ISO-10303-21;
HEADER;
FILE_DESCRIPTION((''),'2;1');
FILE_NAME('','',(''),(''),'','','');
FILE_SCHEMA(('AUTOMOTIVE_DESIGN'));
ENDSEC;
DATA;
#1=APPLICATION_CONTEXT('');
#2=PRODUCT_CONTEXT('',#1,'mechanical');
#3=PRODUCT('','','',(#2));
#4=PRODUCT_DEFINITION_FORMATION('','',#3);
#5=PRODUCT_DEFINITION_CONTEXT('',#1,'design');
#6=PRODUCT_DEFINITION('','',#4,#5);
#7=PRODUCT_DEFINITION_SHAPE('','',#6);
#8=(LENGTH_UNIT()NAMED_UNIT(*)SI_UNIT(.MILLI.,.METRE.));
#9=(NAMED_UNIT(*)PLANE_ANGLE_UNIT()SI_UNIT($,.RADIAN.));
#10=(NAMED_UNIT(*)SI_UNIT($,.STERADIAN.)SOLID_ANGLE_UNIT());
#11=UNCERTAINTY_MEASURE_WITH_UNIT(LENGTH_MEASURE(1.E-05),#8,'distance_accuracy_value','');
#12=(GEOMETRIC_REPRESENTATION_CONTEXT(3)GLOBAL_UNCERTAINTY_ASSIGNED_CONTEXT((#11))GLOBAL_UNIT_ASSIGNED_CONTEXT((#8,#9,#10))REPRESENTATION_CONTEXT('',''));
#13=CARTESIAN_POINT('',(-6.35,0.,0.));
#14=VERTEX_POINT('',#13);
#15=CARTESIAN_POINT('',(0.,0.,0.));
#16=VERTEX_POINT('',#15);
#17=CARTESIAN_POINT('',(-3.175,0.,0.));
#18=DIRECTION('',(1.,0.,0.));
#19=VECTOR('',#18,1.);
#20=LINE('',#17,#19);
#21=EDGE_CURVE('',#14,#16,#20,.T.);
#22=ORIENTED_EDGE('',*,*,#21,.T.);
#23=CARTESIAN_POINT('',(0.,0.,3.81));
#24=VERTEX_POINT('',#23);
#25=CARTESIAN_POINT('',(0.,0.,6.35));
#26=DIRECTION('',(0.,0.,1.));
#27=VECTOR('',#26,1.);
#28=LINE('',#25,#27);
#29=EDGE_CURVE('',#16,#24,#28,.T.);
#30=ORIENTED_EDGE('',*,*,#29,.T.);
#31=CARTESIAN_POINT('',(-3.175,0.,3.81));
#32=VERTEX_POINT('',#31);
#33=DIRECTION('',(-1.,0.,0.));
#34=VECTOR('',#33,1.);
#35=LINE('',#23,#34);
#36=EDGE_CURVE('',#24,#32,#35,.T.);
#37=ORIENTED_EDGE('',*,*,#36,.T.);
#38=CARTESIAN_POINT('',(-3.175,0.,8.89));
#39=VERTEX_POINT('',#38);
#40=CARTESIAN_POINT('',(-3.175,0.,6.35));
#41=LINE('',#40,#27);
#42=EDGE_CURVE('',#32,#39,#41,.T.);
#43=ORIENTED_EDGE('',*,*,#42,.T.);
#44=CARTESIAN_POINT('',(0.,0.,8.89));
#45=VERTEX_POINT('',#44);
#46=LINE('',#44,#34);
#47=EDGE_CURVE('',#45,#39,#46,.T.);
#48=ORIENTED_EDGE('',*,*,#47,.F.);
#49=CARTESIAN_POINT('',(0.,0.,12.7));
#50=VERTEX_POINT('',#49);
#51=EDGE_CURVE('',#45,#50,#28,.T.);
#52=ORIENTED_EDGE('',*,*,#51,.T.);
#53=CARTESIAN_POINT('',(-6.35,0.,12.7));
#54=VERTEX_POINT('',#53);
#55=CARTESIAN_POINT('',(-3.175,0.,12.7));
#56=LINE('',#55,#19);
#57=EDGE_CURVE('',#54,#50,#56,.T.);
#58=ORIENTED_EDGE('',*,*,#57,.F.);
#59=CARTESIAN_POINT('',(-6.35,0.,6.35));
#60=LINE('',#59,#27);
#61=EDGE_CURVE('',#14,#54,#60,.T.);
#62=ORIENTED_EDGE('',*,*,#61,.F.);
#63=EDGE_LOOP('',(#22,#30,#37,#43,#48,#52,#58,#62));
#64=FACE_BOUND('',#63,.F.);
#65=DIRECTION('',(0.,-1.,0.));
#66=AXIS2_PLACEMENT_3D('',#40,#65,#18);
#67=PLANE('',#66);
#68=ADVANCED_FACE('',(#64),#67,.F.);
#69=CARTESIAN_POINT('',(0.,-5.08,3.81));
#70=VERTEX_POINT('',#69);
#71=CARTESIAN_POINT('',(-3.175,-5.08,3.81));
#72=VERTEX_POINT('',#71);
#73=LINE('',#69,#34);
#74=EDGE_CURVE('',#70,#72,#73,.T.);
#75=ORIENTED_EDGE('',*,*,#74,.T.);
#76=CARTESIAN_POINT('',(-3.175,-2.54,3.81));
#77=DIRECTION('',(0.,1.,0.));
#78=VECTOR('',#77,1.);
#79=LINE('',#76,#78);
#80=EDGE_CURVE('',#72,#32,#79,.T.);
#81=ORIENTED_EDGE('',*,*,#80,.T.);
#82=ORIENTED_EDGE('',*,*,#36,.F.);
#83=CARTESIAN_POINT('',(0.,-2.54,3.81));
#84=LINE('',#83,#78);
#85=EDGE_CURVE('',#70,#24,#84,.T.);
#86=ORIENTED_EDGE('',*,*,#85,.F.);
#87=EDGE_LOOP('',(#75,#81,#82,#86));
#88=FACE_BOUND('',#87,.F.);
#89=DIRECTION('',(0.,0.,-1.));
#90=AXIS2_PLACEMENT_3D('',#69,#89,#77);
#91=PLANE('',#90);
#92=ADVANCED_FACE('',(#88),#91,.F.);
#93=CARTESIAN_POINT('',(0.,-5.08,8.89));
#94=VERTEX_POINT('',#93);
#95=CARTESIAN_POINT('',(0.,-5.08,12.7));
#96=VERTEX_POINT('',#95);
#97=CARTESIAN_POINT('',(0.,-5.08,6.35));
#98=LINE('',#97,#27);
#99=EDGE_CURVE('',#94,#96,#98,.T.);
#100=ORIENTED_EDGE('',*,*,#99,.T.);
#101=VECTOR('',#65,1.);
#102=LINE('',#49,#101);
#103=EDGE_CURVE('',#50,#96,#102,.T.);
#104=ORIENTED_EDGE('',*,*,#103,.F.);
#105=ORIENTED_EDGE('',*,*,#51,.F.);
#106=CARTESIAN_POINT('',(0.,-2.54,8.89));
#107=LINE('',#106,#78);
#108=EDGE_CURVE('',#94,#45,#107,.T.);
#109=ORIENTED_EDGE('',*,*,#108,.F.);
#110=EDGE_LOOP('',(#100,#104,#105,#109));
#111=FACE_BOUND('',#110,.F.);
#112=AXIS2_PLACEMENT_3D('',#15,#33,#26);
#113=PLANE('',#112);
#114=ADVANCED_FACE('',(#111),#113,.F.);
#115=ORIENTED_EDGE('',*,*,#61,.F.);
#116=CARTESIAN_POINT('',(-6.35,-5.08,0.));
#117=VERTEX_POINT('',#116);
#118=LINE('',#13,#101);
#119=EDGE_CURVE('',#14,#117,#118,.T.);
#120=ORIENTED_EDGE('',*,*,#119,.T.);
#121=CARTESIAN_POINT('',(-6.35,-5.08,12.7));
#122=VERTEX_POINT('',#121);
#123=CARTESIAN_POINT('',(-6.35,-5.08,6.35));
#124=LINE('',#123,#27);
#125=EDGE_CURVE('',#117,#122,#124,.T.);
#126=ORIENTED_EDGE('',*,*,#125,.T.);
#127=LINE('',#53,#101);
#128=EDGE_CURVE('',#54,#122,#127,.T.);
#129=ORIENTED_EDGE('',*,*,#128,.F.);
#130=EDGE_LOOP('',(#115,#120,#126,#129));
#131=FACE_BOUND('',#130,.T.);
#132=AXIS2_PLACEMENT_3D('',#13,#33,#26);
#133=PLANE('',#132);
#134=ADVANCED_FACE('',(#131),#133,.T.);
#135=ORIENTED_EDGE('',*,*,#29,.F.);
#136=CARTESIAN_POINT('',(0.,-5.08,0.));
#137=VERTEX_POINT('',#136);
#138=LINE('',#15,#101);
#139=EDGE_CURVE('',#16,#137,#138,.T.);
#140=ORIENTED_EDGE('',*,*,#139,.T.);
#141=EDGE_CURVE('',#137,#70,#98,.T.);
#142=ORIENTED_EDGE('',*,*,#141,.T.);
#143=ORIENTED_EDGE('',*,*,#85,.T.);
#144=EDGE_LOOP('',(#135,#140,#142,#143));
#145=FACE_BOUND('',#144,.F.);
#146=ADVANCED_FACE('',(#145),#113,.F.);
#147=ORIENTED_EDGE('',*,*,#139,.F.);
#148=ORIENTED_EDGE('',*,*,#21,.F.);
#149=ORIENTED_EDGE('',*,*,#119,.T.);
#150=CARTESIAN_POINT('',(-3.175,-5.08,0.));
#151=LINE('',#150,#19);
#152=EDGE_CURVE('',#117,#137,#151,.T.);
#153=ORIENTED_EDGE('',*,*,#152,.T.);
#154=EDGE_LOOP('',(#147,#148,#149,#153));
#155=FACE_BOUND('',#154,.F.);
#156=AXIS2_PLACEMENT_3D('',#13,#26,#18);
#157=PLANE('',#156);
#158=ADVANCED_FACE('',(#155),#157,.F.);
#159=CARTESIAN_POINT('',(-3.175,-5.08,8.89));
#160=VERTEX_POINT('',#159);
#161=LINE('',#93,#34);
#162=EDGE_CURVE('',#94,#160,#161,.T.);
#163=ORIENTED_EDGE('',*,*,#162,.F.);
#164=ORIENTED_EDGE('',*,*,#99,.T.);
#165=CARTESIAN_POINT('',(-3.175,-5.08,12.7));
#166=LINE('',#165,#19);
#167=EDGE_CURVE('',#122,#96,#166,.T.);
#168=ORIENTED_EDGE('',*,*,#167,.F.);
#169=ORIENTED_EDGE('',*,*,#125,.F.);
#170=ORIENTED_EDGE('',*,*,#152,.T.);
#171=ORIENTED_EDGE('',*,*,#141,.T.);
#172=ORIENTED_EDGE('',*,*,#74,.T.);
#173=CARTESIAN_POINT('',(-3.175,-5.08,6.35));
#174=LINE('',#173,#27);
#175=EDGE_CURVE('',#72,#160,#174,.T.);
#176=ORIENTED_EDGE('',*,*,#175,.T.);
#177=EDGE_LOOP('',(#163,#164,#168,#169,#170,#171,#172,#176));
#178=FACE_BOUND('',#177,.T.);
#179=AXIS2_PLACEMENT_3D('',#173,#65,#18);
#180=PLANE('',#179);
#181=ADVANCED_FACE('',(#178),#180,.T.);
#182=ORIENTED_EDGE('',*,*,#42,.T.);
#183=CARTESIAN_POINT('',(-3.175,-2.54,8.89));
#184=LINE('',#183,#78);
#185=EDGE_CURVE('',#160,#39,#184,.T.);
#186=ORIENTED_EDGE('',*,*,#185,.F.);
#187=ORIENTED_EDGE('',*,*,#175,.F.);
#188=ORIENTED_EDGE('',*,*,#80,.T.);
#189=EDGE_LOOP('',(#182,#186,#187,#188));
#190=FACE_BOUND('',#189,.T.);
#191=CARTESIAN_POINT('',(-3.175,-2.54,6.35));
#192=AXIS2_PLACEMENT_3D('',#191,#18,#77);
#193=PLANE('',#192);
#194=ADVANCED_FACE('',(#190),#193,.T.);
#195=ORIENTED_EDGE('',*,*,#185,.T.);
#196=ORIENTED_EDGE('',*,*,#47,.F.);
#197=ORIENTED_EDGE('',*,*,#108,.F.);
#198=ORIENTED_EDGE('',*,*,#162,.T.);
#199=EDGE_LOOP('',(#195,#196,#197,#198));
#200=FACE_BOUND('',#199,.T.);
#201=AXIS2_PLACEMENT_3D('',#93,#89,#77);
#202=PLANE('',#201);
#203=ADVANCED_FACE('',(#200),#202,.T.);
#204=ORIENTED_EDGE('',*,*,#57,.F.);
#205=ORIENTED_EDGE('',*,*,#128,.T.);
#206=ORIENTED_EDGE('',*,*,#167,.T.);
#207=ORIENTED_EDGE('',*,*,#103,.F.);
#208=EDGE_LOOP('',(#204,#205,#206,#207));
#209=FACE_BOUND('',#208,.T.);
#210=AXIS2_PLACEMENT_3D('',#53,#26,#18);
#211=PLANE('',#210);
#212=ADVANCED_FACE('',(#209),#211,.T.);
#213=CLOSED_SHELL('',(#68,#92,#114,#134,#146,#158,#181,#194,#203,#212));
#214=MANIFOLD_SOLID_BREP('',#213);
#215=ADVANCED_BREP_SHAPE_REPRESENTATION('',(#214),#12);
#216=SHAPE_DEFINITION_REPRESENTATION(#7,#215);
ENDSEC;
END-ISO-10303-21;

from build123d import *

# Parameters (mm, degrees)
F0_W     = 6.35
F0_H     = 12.7
F1_DEPTH = 5.08
F2_W     = 5.08
F2_H     = 5.08
F3_DEPTH = 3.175


with BuildPart() as f1:
    # F0 (on Front) → F1 (new body)
    with BuildSketch(Plane.XZ):
        with Locations((-3.175, 6.35)):
            Rectangle(F0_W, F0_H)
    extrude(amount=F1_DEPTH)

    # F2 (on face) → F3 (cut)
    with BuildSketch(Plane.YZ):
        with Locations((-2.54, 6.35)):
            Rectangle(F2_W, F2_H)
    extrude(amount=-F3_DEPTH, mode=Mode.SUBTRACT)


solid = f1.part
